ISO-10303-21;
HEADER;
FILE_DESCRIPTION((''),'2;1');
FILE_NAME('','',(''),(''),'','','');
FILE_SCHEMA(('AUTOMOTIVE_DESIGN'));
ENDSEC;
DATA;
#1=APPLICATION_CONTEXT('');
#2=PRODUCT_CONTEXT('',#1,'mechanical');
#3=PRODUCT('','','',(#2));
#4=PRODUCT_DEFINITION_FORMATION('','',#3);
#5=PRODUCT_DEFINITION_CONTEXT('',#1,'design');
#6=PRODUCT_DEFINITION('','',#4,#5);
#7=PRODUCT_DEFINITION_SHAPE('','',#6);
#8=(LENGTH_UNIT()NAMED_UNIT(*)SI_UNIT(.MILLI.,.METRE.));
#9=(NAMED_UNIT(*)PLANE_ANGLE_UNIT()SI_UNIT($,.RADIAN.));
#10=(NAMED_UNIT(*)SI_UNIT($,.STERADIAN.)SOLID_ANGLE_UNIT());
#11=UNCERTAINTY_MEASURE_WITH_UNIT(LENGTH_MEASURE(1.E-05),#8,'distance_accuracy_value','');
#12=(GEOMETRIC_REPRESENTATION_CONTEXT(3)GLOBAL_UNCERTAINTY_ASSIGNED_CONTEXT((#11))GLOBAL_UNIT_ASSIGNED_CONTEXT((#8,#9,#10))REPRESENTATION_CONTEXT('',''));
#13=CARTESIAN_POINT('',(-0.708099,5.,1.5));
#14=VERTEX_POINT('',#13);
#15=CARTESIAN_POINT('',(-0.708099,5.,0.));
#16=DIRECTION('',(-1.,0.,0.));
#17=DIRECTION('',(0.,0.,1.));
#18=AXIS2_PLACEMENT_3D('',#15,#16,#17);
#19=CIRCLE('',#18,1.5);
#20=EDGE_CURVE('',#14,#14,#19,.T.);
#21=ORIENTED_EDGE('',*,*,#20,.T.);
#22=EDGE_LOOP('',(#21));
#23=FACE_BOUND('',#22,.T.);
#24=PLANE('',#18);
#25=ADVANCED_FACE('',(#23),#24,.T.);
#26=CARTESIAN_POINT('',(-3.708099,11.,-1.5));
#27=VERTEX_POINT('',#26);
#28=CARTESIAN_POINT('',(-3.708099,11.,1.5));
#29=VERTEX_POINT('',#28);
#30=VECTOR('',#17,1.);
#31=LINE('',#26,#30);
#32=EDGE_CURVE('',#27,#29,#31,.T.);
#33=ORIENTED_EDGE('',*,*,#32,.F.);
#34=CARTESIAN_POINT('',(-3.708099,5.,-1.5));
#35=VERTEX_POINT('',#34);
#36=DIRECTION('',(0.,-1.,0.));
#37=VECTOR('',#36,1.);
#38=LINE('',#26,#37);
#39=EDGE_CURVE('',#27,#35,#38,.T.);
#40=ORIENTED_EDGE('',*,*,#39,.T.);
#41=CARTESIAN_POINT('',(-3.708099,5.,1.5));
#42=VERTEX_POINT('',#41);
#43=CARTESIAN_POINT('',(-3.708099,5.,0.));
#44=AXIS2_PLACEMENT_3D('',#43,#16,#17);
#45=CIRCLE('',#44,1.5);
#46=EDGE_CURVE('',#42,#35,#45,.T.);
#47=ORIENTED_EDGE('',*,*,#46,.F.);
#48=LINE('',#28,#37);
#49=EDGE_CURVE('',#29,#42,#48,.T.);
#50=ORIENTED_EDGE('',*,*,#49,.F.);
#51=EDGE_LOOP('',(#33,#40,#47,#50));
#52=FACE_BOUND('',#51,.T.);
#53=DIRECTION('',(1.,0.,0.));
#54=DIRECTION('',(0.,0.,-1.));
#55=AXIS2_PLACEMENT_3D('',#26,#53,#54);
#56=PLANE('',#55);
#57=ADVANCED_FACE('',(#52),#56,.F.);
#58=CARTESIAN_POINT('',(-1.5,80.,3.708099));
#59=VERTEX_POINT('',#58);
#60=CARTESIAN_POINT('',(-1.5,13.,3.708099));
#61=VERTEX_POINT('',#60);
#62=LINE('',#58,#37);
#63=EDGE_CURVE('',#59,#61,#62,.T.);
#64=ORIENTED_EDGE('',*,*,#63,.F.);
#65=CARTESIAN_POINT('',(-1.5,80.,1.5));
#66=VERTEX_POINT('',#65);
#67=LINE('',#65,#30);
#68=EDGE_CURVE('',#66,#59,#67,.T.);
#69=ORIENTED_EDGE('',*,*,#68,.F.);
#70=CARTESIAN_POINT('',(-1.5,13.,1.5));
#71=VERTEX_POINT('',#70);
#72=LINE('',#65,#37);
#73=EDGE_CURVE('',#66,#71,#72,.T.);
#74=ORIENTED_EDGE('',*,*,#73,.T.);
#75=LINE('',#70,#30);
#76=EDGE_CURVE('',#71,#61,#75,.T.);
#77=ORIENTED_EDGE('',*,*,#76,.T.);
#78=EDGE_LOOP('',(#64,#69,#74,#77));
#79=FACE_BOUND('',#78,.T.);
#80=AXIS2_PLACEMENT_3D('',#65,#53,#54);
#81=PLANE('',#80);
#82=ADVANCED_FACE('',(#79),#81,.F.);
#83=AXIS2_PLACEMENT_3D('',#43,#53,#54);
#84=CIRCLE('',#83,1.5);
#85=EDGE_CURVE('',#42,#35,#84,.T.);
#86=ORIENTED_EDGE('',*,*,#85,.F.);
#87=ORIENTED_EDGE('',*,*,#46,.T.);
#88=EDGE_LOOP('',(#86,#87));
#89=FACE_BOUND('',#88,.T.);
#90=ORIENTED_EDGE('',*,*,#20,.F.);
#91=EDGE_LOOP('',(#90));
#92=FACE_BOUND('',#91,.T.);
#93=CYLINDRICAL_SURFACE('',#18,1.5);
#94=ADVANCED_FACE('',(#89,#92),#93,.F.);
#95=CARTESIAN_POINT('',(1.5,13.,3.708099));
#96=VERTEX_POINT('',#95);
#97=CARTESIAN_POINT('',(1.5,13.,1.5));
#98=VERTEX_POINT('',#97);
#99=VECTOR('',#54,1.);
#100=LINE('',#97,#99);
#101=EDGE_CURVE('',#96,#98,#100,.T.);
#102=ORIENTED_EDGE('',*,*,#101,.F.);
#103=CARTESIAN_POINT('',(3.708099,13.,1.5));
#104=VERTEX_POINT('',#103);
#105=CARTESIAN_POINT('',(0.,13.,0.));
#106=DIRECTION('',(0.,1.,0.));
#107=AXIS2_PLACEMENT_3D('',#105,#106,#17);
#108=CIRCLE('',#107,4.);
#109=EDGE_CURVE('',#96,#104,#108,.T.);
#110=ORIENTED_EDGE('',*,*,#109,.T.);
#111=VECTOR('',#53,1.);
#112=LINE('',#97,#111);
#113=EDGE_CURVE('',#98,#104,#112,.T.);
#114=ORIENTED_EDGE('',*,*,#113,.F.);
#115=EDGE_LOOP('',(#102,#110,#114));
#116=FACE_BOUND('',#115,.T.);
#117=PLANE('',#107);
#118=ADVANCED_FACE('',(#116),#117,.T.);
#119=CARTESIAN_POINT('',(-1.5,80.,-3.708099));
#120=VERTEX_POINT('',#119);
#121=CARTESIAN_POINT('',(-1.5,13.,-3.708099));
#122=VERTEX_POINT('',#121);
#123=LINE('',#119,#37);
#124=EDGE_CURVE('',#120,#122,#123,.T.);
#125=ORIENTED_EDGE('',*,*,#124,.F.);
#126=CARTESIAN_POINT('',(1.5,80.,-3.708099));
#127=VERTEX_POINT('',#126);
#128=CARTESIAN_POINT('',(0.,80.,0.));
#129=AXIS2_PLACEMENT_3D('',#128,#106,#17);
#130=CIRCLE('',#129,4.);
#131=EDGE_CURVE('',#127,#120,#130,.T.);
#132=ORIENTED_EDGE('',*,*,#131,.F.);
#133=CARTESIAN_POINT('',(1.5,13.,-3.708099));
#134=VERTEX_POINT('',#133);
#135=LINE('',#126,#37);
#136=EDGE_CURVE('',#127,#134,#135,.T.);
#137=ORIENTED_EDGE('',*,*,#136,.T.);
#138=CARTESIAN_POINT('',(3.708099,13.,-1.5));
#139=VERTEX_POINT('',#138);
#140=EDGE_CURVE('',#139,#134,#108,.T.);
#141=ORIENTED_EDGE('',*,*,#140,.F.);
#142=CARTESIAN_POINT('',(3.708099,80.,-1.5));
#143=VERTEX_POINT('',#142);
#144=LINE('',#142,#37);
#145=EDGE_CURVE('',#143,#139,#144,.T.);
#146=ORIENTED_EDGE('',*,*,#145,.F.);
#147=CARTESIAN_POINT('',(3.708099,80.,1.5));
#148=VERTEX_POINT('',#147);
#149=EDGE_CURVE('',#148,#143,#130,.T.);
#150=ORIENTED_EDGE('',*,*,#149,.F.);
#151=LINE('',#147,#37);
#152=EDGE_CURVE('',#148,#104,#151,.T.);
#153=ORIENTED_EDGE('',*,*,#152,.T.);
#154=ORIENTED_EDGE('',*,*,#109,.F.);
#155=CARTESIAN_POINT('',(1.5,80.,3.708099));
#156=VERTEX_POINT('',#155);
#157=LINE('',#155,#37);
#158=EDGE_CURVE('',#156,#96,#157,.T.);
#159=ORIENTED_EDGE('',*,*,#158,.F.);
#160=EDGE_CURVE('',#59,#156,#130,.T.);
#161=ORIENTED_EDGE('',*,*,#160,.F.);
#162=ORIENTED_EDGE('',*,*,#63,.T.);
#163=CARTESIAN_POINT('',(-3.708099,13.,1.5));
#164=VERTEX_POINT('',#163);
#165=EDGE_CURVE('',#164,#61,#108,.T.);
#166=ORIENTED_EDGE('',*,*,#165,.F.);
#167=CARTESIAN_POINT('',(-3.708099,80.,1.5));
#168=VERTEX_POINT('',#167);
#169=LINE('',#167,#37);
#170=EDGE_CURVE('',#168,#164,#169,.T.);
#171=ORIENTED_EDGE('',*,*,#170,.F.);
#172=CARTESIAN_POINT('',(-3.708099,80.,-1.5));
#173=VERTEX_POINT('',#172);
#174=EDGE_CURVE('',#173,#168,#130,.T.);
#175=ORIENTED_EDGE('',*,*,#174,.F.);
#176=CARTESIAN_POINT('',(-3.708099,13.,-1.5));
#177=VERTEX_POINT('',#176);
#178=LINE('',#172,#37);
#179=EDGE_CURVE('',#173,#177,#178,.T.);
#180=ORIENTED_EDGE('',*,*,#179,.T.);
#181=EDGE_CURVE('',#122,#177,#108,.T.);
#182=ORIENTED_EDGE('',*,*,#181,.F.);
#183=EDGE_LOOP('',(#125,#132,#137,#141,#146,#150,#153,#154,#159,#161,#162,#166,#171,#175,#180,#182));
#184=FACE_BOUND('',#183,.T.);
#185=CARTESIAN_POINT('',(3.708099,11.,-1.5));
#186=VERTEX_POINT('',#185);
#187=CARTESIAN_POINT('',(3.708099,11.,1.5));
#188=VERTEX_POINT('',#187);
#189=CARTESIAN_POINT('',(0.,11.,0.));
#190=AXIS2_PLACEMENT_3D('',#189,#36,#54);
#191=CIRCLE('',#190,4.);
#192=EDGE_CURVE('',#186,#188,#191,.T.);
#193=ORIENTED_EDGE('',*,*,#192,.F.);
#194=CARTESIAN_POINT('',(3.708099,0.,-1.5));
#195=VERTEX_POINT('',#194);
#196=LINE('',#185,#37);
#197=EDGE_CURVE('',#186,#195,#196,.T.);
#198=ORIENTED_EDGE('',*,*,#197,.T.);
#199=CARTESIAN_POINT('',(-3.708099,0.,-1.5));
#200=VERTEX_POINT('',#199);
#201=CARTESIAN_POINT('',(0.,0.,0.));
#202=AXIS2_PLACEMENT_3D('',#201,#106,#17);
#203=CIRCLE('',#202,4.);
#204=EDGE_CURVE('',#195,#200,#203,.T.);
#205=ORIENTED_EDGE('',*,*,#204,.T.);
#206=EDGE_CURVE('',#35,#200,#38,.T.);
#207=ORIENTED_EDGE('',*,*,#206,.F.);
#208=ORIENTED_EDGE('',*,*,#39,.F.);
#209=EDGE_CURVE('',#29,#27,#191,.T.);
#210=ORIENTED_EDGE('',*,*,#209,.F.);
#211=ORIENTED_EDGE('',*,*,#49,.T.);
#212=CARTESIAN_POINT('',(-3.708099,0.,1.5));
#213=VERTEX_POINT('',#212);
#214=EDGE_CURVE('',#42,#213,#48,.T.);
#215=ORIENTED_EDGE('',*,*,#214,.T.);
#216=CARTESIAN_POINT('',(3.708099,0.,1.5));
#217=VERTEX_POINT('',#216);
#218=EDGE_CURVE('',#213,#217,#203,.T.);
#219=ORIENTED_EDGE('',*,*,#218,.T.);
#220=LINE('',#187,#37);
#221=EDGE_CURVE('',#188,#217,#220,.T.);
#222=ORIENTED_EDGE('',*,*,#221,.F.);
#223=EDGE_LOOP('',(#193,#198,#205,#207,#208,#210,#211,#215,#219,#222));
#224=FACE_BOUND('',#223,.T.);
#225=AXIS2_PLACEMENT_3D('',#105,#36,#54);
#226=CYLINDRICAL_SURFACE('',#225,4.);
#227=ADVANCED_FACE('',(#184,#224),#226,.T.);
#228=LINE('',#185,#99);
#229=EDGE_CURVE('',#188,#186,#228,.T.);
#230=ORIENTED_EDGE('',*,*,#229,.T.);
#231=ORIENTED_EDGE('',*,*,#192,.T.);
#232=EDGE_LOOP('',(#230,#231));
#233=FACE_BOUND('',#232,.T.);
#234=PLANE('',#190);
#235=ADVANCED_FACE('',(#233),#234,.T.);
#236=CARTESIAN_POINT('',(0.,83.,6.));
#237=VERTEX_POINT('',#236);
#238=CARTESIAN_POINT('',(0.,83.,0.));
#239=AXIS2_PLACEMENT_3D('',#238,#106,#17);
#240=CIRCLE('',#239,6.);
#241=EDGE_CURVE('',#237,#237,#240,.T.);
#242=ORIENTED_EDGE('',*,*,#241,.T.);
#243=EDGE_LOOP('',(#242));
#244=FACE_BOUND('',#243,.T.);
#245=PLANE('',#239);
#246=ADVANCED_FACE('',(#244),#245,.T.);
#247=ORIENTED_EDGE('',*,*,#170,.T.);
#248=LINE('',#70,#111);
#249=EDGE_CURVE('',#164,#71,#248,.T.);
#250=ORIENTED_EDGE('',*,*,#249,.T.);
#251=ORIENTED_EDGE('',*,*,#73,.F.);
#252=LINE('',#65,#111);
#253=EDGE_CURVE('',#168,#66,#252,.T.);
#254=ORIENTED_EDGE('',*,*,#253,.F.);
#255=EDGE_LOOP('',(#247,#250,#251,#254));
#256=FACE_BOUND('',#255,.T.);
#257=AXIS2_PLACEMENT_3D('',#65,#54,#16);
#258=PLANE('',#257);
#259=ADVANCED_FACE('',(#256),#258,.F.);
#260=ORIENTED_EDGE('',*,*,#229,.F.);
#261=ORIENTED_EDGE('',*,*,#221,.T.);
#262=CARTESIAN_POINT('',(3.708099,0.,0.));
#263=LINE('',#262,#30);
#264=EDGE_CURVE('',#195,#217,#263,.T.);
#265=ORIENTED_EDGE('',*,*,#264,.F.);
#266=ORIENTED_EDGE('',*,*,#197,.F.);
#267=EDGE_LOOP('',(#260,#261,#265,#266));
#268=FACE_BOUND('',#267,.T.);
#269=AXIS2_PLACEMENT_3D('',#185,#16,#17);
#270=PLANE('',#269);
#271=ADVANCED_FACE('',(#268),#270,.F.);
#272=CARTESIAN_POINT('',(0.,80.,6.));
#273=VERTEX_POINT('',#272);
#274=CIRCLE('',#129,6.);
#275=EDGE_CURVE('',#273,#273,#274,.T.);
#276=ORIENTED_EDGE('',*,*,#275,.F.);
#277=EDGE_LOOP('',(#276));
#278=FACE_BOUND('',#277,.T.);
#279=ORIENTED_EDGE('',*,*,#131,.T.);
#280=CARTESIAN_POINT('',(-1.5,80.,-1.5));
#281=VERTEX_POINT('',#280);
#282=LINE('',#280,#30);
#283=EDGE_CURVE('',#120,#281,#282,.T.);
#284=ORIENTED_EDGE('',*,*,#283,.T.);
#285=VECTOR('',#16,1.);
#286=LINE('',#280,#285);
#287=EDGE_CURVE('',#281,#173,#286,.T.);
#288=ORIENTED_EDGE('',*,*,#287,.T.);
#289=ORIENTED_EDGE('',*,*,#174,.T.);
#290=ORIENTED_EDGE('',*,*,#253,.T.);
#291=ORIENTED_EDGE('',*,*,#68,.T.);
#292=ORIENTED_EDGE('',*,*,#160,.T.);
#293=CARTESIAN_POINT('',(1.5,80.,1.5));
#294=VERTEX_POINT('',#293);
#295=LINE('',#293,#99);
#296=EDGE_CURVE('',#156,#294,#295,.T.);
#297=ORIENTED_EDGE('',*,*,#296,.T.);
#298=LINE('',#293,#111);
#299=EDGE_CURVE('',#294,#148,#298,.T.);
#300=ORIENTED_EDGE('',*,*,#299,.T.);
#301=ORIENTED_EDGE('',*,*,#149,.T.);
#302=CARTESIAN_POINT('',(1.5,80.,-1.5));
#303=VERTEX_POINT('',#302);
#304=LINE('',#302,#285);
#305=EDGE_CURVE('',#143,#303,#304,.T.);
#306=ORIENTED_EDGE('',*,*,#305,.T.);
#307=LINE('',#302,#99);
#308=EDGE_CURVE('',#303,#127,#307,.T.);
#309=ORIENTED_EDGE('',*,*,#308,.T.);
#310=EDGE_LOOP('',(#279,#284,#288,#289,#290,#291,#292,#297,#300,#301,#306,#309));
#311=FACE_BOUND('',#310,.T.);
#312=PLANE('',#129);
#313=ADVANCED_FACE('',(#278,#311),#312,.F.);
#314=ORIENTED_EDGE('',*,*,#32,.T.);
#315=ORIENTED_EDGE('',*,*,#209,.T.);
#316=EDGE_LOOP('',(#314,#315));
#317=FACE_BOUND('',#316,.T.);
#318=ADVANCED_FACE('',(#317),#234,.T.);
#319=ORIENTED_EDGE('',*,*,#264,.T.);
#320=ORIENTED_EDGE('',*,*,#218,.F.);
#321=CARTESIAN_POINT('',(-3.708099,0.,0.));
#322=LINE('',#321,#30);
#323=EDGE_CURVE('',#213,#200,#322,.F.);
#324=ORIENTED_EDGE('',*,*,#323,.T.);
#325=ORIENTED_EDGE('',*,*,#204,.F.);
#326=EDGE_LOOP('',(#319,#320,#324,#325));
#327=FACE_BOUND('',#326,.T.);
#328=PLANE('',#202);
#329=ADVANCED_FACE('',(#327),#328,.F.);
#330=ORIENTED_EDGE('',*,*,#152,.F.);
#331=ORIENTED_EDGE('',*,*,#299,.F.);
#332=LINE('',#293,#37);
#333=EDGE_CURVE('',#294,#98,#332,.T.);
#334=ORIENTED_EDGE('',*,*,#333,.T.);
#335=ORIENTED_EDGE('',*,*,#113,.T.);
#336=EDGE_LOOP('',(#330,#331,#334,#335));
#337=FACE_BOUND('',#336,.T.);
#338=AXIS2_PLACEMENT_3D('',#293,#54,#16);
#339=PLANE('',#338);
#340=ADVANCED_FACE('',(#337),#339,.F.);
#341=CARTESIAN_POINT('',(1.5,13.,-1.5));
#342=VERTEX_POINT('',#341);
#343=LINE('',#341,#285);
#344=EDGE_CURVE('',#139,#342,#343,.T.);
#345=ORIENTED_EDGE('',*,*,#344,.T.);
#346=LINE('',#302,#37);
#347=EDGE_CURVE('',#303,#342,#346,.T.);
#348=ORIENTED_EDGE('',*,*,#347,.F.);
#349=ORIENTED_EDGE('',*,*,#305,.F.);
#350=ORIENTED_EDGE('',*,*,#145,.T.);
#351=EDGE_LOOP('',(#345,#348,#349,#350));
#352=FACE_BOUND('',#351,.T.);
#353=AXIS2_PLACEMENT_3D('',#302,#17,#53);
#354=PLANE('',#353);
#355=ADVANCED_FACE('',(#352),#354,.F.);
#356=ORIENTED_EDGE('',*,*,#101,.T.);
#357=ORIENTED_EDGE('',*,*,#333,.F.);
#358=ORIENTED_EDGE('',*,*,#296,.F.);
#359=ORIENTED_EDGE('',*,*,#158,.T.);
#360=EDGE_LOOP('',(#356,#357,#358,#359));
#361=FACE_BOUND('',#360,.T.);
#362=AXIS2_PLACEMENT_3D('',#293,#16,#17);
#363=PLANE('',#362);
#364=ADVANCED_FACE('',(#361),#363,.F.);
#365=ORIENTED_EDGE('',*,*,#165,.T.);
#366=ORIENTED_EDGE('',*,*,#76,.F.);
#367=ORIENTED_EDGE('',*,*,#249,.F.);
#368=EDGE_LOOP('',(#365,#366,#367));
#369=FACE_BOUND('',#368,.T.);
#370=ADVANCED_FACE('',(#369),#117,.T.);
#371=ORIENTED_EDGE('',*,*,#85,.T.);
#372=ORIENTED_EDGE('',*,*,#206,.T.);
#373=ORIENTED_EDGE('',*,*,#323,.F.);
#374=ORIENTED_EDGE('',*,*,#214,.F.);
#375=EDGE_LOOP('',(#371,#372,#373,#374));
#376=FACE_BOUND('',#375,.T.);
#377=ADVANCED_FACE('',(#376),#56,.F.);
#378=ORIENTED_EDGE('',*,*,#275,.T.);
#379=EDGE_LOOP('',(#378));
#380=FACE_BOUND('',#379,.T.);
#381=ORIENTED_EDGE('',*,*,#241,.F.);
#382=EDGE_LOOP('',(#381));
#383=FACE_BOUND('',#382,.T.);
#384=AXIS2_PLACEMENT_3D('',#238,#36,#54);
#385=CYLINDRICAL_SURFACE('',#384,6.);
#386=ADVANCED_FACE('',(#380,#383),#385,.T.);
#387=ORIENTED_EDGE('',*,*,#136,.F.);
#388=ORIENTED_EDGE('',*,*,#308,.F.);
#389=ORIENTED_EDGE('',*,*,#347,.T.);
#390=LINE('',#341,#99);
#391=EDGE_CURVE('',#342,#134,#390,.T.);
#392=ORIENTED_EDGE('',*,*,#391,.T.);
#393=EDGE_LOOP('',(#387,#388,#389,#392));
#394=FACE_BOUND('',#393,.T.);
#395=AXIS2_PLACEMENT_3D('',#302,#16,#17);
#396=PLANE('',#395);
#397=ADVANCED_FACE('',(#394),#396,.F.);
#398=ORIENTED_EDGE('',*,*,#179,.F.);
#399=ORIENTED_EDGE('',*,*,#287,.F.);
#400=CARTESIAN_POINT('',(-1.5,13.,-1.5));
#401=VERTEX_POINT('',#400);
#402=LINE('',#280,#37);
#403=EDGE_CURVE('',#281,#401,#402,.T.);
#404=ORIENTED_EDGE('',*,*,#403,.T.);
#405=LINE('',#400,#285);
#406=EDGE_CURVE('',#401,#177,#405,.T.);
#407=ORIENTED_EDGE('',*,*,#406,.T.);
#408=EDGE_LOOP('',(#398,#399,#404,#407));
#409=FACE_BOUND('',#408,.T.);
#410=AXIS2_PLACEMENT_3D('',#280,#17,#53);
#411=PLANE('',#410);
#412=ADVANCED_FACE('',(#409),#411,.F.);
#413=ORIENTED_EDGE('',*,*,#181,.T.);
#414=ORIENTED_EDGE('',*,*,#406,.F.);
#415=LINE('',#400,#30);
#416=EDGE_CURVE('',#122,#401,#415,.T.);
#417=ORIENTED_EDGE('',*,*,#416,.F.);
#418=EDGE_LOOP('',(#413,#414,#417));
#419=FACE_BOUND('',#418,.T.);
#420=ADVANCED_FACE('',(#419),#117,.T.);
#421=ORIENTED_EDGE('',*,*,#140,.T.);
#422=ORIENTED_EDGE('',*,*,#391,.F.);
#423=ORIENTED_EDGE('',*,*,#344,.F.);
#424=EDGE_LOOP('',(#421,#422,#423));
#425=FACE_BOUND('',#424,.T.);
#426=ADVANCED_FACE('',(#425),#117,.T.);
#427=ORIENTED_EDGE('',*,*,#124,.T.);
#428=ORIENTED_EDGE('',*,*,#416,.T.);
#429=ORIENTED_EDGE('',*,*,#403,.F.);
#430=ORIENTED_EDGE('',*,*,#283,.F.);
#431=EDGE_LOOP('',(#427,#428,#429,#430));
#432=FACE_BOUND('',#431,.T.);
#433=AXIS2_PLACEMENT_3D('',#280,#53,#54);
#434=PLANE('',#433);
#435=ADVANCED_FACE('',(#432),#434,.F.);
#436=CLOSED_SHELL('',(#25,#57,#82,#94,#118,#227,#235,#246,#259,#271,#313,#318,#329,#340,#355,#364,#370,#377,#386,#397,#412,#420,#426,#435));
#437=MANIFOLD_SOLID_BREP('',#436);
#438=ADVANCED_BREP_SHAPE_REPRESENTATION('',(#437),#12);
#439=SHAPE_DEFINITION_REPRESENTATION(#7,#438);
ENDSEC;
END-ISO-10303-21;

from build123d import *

# Parameters (mm, degrees)
SKETCH4_R               = 4
BOSS_EXTRUDE6_DEPTH     = 13
CUT_EXTRUDE3_DEPTH      = 1
CUT_EXTRUDE3_DEPTH_BACK = 11
SKETCH6_R               = 1.5
CUT_EXTRUDE4_DEPTH      = 3
BOSS_EXTRUDE7_DEPTH     = 67
SKETCH8_R               = 6
BOSS_EXTRUDE8_DEPTH     = 3


with BuildPart() as part:
    # Sketch4 → Boss-Extrude6 (new body)
    with BuildSketch(Plane(origin=(0, 0, 0), x_dir=(1, 0, 0), z_dir=(0, 1, 0))):
        Circle(SKETCH4_R)
    extrude(amount=BOSS_EXTRUDE6_DEPTH)

    # Sketch5 → Cut-Extrude3 (cut, two sides)
    with BuildSketch(Plane.XZ) as cut_extrude3_sk:
        with BuildLine():
            Line((-3.708099244, -1.5), (-3.708099244, 1.5))
            ThreePointArc((-3.708099244, 1.5), (-4, 0), (-3.708099244, -1.5))
        make_face()
        with BuildLine():
            Line((3.708099244, -1.5), (3.708099244, 1.5))
            ThreePointArc((3.708099244, 1.5), (4, 0), (3.708099244, -1.5))
        make_face()
    extrude(amount=CUT_EXTRUDE3_DEPTH, mode=Mode.SUBTRACT)
    extrude(cut_extrude3_sk.sketch, amount=-CUT_EXTRUDE3_DEPTH_BACK, mode=Mode.SUBTRACT)

    # Sketch6 → Cut-Extrude4 (cut)
    with BuildSketch(Plane.ZY.offset(3.708099244)):
        with Locations((0, 5)):
            Circle(SKETCH6_R)
    extrude(amount=-CUT_EXTRUDE4_DEPTH, mode=Mode.SUBTRACT)

    # Sketch7 → Boss-Extrude7 (add)
    with BuildSketch(Plane(origin=(0, 13, 0), x_dir=(1, 0, 0), z_dir=(0, 1, 0))):
        with BuildLine():
            Line((1.5, 1.5), (1.5, 3.708099244))
            ThreePointArc((1.5, 3.708099244), (0, 4), (-1.5, 3.708099244))
            Line((-1.5, 3.708099244), (-1.5, 1.5))
            Line((-1.5, 1.5), (-3.708099244, 1.5))
            ThreePointArc((-3.708099244, 1.5), (-4, 0), (-3.708099244, -1.5))
            Line((-3.708099244, -1.5), (-1.5, -1.5))
            Line((-1.5, -1.5), (-1.5, -3.708099244))
            ThreePointArc((-1.5, -3.708099244), (0, -4), (1.5, -3.708099244))
            Line((1.5, -3.708099244), (1.5, -1.5))
            Line((1.5, -1.5), (3.708099244, -1.5))
            ThreePointArc((3.708099244, -1.5), (4, 0), (3.708099244, 1.5))
            Line((3.708099244, 1.5), (1.5, 1.5))
        make_face()
    extrude(amount=BOSS_EXTRUDE7_DEPTH)

    # Sketch8 → Boss-Extrude8 (add)
    with BuildSketch(Plane(origin=(0, 80, 0), x_dir=(1, 0, 0), z_dir=(0, 1, 0))):
        Circle(SKETCH8_R)
    extrude(amount=BOSS_EXTRUDE8_DEPTH)


solid = part.part
